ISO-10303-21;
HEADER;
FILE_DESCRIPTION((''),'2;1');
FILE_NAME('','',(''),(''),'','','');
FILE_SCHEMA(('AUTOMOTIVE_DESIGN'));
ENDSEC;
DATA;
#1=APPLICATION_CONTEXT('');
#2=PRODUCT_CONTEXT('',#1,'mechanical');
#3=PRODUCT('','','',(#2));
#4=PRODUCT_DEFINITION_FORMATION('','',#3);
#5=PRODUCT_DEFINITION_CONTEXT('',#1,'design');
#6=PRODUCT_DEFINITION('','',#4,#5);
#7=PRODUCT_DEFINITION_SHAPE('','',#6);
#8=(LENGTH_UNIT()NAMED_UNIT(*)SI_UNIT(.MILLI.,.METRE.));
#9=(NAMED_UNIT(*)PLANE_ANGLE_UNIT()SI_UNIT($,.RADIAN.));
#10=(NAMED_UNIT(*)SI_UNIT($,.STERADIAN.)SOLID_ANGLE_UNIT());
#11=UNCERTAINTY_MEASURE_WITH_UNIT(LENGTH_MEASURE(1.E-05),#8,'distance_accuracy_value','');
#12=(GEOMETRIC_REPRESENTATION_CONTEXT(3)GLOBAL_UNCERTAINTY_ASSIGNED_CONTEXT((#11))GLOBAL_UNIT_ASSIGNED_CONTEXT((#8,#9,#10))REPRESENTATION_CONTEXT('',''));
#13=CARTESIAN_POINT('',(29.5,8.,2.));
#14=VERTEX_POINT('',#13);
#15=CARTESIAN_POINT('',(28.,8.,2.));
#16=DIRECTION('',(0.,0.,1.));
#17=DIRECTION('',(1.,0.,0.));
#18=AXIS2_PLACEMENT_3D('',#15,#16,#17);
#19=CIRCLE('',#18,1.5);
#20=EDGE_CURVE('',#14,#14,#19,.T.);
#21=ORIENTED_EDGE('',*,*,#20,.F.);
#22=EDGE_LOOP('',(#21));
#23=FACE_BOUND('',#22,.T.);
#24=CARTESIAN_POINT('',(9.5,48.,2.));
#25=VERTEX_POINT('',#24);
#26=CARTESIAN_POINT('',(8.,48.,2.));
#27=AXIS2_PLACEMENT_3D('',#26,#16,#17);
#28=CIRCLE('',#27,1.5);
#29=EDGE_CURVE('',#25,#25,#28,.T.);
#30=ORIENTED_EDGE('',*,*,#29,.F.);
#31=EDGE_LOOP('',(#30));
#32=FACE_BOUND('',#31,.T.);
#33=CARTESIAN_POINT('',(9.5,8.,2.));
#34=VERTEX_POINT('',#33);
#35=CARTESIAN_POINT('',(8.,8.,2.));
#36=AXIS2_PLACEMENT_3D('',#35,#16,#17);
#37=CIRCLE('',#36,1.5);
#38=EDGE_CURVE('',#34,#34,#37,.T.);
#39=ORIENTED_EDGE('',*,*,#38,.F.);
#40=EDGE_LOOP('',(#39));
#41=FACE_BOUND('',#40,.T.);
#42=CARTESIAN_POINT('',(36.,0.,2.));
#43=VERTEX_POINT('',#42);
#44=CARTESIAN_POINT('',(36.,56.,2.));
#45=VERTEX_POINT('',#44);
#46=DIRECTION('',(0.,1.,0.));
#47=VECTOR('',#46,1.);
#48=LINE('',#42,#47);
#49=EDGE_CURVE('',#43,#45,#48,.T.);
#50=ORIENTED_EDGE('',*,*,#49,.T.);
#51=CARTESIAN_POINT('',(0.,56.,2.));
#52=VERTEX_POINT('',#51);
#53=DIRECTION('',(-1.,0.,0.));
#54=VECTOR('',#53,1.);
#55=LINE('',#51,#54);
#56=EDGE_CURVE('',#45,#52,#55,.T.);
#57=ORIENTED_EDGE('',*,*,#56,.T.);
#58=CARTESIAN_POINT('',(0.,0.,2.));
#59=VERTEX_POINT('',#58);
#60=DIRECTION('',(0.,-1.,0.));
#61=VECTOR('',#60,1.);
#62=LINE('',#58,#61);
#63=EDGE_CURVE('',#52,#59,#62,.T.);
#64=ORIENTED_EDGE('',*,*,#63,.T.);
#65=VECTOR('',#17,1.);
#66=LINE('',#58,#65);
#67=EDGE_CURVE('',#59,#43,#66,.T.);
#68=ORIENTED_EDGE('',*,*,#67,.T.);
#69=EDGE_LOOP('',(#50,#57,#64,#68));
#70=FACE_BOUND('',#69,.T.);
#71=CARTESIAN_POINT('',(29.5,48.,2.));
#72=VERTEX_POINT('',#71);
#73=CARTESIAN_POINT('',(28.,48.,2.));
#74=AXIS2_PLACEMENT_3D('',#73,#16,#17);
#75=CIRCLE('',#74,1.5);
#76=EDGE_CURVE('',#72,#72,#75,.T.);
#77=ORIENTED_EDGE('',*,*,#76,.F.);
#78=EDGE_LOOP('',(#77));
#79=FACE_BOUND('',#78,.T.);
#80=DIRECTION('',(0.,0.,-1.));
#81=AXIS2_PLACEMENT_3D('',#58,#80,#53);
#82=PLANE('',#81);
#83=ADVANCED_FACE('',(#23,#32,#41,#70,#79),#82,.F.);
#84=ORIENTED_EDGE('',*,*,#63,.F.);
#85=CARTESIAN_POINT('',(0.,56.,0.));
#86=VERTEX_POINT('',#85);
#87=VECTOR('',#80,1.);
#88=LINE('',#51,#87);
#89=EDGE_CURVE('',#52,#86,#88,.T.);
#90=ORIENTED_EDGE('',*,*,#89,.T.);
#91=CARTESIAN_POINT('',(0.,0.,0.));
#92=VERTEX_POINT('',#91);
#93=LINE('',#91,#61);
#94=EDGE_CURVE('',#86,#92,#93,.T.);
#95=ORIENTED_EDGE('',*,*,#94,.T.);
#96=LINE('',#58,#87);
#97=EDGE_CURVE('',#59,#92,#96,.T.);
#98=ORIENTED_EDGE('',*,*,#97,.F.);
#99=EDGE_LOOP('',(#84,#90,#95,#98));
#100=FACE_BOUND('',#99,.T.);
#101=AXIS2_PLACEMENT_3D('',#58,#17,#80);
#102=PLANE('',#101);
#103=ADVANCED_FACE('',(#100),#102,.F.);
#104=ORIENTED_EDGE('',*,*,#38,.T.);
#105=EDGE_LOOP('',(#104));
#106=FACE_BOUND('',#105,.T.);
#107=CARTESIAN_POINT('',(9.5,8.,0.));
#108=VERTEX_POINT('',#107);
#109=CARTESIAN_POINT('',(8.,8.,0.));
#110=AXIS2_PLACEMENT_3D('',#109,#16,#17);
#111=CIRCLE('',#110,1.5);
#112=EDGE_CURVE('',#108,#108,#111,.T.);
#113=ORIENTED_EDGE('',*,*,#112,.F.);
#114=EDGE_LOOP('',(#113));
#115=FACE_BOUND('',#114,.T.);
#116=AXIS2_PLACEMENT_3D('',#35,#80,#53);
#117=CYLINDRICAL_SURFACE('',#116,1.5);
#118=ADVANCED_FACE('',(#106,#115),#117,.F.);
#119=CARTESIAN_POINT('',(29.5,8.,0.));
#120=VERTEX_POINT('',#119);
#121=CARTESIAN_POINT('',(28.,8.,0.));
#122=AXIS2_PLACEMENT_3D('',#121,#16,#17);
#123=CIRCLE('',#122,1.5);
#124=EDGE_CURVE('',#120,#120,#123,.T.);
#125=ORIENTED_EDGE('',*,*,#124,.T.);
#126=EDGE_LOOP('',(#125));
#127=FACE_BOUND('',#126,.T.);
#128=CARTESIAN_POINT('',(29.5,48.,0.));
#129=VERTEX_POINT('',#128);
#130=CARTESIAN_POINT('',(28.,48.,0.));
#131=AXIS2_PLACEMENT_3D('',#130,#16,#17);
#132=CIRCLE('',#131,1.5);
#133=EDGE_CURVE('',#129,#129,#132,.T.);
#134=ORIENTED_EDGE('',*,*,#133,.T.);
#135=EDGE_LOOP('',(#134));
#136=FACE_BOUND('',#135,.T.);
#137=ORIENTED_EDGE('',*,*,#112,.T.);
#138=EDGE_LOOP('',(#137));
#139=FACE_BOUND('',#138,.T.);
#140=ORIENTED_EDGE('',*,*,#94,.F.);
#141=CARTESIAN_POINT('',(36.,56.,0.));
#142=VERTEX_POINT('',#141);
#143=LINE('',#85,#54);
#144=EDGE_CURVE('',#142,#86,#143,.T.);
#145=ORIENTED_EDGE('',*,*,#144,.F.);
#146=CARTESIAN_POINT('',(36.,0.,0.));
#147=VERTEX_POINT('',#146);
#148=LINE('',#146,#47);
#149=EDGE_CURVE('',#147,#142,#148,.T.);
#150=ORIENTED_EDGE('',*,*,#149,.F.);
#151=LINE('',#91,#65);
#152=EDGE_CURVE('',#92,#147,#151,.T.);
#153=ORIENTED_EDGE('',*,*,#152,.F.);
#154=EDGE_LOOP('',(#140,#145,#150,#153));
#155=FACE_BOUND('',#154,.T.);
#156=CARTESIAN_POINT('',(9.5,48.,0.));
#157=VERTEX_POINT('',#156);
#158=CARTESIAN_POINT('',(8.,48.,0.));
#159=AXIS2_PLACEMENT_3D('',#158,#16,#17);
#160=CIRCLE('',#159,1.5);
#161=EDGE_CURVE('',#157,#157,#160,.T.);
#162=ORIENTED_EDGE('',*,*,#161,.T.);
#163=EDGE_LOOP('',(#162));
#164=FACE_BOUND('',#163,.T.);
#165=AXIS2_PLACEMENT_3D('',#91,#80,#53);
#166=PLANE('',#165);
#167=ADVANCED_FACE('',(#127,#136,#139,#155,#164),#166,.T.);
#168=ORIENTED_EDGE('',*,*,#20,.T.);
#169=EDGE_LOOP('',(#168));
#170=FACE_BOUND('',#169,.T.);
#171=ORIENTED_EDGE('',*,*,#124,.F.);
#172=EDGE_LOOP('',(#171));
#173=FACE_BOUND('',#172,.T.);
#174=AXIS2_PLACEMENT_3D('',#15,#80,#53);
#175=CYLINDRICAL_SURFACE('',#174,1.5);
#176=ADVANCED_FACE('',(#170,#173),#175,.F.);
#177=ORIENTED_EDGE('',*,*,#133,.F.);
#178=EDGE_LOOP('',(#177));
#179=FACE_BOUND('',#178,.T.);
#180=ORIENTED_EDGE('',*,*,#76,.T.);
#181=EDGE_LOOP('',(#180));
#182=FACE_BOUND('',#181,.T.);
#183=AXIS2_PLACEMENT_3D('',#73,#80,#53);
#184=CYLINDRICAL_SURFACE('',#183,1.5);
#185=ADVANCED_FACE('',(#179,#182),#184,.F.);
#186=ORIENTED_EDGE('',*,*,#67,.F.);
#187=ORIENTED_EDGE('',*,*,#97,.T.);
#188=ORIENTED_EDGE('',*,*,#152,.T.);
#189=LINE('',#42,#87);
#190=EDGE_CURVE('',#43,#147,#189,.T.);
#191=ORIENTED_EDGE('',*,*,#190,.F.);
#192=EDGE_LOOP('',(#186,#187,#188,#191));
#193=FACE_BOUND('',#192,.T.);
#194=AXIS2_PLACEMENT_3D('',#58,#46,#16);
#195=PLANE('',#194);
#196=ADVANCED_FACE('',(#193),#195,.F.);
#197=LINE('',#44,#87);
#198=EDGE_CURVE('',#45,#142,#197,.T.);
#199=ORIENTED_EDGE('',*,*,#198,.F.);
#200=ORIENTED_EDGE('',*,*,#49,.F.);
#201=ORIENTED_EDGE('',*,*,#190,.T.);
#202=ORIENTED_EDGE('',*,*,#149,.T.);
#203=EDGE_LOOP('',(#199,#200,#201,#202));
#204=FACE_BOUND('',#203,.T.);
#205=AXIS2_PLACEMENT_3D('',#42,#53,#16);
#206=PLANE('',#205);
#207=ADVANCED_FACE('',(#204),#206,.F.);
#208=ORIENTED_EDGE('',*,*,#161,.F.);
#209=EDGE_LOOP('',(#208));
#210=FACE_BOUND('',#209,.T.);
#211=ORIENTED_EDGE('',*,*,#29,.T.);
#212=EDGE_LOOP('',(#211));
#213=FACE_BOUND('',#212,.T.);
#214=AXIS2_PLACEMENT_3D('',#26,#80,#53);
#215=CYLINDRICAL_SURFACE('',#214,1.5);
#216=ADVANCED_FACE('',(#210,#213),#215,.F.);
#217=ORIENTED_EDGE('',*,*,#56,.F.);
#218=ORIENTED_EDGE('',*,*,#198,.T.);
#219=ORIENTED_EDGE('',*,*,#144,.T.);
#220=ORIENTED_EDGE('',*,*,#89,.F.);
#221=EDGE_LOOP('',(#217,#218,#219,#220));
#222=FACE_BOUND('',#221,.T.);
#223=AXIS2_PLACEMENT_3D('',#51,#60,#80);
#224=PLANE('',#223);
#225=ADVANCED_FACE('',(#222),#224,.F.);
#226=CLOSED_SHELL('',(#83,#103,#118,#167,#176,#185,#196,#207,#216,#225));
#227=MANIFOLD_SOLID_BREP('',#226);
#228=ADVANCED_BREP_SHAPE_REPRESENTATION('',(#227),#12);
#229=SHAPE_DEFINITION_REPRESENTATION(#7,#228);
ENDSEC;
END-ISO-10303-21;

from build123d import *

# Parameters (mm, degrees)
SKETCH_1_W      = 36
SKETCH_1_H      = 56
SKETCH_1_R      = 1.5
EXTRUDE_1_DEPTH = 2


with BuildPart() as part:
    # Эскиз1 → Бобышка-Вытянуть1 (new body)
    with BuildSketch(Plane.XY):
        with Locations((18, 28)):
            Rectangle(SKETCH_1_W, SKETCH_1_H)
        with Locations((8, 8)):
            Circle(SKETCH_1_R, mode=Mode.SUBTRACT)
        with Locations((28, 8)):
            Circle(SKETCH_1_R, mode=Mode.SUBTRACT)
        with Locations((28, 48)):
            Circle(SKETCH_1_R, mode=Mode.SUBTRACT)
        with Locations((8, 48)):
            Circle(SKETCH_1_R, mode=Mode.SUBTRACT)
    extrude(amount=EXTRUDE_1_DEPTH)


solid = part.part
